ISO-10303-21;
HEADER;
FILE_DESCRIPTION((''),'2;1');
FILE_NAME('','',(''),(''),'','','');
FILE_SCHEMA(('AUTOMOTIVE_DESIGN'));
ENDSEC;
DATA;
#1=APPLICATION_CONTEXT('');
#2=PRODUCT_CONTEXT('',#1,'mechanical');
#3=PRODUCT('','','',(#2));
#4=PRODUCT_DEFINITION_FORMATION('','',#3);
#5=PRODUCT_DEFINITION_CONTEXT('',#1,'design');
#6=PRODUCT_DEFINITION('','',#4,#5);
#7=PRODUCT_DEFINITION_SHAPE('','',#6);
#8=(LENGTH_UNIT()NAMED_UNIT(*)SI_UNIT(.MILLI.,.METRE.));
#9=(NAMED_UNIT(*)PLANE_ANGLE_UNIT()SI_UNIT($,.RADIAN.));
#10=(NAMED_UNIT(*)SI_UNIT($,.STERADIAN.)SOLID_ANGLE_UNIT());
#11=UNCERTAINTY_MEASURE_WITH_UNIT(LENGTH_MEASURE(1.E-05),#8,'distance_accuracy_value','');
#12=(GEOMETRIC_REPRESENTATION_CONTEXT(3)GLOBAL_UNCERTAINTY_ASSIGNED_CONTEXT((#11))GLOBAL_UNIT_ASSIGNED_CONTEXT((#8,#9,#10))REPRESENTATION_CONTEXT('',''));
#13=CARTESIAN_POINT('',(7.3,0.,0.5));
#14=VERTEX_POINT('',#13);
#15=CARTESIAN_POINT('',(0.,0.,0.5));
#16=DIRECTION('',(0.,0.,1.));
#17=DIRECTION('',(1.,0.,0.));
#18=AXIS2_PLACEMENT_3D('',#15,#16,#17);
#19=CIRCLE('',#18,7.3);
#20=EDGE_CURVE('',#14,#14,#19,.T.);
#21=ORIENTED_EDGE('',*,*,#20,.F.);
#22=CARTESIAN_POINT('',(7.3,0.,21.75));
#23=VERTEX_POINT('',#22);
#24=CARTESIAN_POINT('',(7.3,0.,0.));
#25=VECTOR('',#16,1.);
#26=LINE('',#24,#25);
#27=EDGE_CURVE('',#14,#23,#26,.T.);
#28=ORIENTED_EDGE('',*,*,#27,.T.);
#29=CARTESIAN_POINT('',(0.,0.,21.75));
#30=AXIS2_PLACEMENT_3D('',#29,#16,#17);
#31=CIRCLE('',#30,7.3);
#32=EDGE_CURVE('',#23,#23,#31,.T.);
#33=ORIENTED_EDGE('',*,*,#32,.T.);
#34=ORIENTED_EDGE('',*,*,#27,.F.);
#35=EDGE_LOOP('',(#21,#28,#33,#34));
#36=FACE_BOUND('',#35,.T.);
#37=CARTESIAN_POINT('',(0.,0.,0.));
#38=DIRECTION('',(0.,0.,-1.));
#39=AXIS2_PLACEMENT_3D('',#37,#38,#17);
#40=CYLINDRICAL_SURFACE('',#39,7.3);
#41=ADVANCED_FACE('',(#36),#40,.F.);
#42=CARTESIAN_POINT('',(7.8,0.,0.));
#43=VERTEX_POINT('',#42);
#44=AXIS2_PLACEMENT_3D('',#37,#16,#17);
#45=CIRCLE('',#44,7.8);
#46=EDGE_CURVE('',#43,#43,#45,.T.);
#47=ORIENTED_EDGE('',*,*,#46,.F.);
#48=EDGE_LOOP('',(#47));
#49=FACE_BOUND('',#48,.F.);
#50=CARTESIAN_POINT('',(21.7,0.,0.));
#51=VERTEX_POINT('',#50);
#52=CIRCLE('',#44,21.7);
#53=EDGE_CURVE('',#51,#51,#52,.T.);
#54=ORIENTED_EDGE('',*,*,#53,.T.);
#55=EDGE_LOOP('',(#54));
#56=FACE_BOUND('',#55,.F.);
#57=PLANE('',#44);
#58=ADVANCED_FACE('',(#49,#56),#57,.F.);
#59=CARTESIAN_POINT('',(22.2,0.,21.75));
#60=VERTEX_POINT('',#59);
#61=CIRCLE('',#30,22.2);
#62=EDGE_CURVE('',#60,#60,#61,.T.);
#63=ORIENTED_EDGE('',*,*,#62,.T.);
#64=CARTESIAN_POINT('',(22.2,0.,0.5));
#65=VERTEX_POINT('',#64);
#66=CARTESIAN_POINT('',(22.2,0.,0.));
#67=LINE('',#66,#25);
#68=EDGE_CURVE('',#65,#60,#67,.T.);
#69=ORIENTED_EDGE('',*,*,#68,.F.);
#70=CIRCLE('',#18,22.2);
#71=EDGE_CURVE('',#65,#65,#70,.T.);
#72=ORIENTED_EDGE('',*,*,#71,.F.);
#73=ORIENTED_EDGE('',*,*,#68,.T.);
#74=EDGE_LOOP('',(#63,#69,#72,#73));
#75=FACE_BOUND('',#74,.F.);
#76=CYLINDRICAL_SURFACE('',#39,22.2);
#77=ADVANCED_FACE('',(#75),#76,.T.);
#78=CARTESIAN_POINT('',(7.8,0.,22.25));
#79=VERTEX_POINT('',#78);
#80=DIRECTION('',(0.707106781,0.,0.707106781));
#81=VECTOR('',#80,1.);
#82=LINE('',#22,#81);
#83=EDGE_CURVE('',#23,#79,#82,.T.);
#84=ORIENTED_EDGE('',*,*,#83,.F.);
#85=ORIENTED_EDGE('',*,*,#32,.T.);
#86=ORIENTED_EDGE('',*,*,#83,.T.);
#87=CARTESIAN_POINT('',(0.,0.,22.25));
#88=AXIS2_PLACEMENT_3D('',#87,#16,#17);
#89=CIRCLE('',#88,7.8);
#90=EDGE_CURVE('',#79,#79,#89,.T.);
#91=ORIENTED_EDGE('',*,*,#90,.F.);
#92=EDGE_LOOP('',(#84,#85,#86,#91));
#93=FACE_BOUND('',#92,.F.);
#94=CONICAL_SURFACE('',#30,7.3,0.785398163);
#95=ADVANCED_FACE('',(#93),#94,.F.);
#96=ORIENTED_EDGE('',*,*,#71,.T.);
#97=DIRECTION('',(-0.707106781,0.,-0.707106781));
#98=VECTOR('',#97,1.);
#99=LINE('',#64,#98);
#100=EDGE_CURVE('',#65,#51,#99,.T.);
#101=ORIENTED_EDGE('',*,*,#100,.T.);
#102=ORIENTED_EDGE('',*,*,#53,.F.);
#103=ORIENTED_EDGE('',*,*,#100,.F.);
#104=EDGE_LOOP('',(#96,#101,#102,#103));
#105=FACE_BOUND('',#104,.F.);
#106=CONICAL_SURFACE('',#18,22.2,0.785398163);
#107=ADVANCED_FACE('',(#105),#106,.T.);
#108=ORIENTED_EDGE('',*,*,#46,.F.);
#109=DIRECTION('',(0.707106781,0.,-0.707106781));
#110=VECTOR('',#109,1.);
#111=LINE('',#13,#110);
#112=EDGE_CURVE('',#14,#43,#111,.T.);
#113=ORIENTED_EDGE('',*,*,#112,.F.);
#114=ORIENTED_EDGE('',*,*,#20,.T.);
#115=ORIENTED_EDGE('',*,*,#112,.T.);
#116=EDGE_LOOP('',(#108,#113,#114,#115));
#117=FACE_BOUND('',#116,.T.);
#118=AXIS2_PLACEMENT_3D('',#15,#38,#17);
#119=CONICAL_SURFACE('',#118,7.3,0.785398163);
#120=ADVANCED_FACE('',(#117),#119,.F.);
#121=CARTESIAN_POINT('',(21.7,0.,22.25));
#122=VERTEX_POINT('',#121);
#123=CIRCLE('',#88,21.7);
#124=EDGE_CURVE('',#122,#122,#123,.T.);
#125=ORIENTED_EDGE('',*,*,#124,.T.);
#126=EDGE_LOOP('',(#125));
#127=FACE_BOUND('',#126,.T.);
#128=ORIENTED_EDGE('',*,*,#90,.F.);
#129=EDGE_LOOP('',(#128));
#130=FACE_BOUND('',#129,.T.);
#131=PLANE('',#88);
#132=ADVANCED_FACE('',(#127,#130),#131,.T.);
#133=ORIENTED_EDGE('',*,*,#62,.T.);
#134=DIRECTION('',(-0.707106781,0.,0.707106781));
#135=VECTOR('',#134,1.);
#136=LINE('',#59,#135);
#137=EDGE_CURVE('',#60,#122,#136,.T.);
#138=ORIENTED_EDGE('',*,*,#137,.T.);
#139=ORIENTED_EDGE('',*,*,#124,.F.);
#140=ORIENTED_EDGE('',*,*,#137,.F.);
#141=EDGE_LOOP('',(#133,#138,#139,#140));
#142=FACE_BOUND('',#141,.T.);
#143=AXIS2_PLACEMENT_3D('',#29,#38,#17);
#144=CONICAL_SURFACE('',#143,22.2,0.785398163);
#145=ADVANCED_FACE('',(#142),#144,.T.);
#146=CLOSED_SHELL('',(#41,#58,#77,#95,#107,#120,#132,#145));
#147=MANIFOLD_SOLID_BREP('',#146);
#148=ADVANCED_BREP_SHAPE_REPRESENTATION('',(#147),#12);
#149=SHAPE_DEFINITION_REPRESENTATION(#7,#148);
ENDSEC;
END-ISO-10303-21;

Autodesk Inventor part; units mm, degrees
ref_plane "YZ Plane" through (0, 0, 0) normal (1, 0, 0) x (0, 1, 0)
ref_plane "XZ Plane" through (0, 0, 0) normal (0, 1, 0) x (-1, 0, 0)
ref_plane "XY Plane" through (0, 0, 0) normal (0, 0, 1) x (1, 0, 0)
sketch "草图1" plane through (0, 0, 0) normal (0, 0, 1) x (1, 0, 0)
  circle A0 centre (0, 0) radius 22.2
  circle A1 centre (0, 0) radius 7.3
extrude "拉伸1" add sketch "草图1" along normal blind 22.25
chamfer "倒角1" distance 0.5 angle 45 4 edges at (-7.3, 0, 22.25) (-7.3, 0, 0) (-22.2, 0, 22.25) (-22.2, 0, 0)
properties part number "my_attempt_v2"
